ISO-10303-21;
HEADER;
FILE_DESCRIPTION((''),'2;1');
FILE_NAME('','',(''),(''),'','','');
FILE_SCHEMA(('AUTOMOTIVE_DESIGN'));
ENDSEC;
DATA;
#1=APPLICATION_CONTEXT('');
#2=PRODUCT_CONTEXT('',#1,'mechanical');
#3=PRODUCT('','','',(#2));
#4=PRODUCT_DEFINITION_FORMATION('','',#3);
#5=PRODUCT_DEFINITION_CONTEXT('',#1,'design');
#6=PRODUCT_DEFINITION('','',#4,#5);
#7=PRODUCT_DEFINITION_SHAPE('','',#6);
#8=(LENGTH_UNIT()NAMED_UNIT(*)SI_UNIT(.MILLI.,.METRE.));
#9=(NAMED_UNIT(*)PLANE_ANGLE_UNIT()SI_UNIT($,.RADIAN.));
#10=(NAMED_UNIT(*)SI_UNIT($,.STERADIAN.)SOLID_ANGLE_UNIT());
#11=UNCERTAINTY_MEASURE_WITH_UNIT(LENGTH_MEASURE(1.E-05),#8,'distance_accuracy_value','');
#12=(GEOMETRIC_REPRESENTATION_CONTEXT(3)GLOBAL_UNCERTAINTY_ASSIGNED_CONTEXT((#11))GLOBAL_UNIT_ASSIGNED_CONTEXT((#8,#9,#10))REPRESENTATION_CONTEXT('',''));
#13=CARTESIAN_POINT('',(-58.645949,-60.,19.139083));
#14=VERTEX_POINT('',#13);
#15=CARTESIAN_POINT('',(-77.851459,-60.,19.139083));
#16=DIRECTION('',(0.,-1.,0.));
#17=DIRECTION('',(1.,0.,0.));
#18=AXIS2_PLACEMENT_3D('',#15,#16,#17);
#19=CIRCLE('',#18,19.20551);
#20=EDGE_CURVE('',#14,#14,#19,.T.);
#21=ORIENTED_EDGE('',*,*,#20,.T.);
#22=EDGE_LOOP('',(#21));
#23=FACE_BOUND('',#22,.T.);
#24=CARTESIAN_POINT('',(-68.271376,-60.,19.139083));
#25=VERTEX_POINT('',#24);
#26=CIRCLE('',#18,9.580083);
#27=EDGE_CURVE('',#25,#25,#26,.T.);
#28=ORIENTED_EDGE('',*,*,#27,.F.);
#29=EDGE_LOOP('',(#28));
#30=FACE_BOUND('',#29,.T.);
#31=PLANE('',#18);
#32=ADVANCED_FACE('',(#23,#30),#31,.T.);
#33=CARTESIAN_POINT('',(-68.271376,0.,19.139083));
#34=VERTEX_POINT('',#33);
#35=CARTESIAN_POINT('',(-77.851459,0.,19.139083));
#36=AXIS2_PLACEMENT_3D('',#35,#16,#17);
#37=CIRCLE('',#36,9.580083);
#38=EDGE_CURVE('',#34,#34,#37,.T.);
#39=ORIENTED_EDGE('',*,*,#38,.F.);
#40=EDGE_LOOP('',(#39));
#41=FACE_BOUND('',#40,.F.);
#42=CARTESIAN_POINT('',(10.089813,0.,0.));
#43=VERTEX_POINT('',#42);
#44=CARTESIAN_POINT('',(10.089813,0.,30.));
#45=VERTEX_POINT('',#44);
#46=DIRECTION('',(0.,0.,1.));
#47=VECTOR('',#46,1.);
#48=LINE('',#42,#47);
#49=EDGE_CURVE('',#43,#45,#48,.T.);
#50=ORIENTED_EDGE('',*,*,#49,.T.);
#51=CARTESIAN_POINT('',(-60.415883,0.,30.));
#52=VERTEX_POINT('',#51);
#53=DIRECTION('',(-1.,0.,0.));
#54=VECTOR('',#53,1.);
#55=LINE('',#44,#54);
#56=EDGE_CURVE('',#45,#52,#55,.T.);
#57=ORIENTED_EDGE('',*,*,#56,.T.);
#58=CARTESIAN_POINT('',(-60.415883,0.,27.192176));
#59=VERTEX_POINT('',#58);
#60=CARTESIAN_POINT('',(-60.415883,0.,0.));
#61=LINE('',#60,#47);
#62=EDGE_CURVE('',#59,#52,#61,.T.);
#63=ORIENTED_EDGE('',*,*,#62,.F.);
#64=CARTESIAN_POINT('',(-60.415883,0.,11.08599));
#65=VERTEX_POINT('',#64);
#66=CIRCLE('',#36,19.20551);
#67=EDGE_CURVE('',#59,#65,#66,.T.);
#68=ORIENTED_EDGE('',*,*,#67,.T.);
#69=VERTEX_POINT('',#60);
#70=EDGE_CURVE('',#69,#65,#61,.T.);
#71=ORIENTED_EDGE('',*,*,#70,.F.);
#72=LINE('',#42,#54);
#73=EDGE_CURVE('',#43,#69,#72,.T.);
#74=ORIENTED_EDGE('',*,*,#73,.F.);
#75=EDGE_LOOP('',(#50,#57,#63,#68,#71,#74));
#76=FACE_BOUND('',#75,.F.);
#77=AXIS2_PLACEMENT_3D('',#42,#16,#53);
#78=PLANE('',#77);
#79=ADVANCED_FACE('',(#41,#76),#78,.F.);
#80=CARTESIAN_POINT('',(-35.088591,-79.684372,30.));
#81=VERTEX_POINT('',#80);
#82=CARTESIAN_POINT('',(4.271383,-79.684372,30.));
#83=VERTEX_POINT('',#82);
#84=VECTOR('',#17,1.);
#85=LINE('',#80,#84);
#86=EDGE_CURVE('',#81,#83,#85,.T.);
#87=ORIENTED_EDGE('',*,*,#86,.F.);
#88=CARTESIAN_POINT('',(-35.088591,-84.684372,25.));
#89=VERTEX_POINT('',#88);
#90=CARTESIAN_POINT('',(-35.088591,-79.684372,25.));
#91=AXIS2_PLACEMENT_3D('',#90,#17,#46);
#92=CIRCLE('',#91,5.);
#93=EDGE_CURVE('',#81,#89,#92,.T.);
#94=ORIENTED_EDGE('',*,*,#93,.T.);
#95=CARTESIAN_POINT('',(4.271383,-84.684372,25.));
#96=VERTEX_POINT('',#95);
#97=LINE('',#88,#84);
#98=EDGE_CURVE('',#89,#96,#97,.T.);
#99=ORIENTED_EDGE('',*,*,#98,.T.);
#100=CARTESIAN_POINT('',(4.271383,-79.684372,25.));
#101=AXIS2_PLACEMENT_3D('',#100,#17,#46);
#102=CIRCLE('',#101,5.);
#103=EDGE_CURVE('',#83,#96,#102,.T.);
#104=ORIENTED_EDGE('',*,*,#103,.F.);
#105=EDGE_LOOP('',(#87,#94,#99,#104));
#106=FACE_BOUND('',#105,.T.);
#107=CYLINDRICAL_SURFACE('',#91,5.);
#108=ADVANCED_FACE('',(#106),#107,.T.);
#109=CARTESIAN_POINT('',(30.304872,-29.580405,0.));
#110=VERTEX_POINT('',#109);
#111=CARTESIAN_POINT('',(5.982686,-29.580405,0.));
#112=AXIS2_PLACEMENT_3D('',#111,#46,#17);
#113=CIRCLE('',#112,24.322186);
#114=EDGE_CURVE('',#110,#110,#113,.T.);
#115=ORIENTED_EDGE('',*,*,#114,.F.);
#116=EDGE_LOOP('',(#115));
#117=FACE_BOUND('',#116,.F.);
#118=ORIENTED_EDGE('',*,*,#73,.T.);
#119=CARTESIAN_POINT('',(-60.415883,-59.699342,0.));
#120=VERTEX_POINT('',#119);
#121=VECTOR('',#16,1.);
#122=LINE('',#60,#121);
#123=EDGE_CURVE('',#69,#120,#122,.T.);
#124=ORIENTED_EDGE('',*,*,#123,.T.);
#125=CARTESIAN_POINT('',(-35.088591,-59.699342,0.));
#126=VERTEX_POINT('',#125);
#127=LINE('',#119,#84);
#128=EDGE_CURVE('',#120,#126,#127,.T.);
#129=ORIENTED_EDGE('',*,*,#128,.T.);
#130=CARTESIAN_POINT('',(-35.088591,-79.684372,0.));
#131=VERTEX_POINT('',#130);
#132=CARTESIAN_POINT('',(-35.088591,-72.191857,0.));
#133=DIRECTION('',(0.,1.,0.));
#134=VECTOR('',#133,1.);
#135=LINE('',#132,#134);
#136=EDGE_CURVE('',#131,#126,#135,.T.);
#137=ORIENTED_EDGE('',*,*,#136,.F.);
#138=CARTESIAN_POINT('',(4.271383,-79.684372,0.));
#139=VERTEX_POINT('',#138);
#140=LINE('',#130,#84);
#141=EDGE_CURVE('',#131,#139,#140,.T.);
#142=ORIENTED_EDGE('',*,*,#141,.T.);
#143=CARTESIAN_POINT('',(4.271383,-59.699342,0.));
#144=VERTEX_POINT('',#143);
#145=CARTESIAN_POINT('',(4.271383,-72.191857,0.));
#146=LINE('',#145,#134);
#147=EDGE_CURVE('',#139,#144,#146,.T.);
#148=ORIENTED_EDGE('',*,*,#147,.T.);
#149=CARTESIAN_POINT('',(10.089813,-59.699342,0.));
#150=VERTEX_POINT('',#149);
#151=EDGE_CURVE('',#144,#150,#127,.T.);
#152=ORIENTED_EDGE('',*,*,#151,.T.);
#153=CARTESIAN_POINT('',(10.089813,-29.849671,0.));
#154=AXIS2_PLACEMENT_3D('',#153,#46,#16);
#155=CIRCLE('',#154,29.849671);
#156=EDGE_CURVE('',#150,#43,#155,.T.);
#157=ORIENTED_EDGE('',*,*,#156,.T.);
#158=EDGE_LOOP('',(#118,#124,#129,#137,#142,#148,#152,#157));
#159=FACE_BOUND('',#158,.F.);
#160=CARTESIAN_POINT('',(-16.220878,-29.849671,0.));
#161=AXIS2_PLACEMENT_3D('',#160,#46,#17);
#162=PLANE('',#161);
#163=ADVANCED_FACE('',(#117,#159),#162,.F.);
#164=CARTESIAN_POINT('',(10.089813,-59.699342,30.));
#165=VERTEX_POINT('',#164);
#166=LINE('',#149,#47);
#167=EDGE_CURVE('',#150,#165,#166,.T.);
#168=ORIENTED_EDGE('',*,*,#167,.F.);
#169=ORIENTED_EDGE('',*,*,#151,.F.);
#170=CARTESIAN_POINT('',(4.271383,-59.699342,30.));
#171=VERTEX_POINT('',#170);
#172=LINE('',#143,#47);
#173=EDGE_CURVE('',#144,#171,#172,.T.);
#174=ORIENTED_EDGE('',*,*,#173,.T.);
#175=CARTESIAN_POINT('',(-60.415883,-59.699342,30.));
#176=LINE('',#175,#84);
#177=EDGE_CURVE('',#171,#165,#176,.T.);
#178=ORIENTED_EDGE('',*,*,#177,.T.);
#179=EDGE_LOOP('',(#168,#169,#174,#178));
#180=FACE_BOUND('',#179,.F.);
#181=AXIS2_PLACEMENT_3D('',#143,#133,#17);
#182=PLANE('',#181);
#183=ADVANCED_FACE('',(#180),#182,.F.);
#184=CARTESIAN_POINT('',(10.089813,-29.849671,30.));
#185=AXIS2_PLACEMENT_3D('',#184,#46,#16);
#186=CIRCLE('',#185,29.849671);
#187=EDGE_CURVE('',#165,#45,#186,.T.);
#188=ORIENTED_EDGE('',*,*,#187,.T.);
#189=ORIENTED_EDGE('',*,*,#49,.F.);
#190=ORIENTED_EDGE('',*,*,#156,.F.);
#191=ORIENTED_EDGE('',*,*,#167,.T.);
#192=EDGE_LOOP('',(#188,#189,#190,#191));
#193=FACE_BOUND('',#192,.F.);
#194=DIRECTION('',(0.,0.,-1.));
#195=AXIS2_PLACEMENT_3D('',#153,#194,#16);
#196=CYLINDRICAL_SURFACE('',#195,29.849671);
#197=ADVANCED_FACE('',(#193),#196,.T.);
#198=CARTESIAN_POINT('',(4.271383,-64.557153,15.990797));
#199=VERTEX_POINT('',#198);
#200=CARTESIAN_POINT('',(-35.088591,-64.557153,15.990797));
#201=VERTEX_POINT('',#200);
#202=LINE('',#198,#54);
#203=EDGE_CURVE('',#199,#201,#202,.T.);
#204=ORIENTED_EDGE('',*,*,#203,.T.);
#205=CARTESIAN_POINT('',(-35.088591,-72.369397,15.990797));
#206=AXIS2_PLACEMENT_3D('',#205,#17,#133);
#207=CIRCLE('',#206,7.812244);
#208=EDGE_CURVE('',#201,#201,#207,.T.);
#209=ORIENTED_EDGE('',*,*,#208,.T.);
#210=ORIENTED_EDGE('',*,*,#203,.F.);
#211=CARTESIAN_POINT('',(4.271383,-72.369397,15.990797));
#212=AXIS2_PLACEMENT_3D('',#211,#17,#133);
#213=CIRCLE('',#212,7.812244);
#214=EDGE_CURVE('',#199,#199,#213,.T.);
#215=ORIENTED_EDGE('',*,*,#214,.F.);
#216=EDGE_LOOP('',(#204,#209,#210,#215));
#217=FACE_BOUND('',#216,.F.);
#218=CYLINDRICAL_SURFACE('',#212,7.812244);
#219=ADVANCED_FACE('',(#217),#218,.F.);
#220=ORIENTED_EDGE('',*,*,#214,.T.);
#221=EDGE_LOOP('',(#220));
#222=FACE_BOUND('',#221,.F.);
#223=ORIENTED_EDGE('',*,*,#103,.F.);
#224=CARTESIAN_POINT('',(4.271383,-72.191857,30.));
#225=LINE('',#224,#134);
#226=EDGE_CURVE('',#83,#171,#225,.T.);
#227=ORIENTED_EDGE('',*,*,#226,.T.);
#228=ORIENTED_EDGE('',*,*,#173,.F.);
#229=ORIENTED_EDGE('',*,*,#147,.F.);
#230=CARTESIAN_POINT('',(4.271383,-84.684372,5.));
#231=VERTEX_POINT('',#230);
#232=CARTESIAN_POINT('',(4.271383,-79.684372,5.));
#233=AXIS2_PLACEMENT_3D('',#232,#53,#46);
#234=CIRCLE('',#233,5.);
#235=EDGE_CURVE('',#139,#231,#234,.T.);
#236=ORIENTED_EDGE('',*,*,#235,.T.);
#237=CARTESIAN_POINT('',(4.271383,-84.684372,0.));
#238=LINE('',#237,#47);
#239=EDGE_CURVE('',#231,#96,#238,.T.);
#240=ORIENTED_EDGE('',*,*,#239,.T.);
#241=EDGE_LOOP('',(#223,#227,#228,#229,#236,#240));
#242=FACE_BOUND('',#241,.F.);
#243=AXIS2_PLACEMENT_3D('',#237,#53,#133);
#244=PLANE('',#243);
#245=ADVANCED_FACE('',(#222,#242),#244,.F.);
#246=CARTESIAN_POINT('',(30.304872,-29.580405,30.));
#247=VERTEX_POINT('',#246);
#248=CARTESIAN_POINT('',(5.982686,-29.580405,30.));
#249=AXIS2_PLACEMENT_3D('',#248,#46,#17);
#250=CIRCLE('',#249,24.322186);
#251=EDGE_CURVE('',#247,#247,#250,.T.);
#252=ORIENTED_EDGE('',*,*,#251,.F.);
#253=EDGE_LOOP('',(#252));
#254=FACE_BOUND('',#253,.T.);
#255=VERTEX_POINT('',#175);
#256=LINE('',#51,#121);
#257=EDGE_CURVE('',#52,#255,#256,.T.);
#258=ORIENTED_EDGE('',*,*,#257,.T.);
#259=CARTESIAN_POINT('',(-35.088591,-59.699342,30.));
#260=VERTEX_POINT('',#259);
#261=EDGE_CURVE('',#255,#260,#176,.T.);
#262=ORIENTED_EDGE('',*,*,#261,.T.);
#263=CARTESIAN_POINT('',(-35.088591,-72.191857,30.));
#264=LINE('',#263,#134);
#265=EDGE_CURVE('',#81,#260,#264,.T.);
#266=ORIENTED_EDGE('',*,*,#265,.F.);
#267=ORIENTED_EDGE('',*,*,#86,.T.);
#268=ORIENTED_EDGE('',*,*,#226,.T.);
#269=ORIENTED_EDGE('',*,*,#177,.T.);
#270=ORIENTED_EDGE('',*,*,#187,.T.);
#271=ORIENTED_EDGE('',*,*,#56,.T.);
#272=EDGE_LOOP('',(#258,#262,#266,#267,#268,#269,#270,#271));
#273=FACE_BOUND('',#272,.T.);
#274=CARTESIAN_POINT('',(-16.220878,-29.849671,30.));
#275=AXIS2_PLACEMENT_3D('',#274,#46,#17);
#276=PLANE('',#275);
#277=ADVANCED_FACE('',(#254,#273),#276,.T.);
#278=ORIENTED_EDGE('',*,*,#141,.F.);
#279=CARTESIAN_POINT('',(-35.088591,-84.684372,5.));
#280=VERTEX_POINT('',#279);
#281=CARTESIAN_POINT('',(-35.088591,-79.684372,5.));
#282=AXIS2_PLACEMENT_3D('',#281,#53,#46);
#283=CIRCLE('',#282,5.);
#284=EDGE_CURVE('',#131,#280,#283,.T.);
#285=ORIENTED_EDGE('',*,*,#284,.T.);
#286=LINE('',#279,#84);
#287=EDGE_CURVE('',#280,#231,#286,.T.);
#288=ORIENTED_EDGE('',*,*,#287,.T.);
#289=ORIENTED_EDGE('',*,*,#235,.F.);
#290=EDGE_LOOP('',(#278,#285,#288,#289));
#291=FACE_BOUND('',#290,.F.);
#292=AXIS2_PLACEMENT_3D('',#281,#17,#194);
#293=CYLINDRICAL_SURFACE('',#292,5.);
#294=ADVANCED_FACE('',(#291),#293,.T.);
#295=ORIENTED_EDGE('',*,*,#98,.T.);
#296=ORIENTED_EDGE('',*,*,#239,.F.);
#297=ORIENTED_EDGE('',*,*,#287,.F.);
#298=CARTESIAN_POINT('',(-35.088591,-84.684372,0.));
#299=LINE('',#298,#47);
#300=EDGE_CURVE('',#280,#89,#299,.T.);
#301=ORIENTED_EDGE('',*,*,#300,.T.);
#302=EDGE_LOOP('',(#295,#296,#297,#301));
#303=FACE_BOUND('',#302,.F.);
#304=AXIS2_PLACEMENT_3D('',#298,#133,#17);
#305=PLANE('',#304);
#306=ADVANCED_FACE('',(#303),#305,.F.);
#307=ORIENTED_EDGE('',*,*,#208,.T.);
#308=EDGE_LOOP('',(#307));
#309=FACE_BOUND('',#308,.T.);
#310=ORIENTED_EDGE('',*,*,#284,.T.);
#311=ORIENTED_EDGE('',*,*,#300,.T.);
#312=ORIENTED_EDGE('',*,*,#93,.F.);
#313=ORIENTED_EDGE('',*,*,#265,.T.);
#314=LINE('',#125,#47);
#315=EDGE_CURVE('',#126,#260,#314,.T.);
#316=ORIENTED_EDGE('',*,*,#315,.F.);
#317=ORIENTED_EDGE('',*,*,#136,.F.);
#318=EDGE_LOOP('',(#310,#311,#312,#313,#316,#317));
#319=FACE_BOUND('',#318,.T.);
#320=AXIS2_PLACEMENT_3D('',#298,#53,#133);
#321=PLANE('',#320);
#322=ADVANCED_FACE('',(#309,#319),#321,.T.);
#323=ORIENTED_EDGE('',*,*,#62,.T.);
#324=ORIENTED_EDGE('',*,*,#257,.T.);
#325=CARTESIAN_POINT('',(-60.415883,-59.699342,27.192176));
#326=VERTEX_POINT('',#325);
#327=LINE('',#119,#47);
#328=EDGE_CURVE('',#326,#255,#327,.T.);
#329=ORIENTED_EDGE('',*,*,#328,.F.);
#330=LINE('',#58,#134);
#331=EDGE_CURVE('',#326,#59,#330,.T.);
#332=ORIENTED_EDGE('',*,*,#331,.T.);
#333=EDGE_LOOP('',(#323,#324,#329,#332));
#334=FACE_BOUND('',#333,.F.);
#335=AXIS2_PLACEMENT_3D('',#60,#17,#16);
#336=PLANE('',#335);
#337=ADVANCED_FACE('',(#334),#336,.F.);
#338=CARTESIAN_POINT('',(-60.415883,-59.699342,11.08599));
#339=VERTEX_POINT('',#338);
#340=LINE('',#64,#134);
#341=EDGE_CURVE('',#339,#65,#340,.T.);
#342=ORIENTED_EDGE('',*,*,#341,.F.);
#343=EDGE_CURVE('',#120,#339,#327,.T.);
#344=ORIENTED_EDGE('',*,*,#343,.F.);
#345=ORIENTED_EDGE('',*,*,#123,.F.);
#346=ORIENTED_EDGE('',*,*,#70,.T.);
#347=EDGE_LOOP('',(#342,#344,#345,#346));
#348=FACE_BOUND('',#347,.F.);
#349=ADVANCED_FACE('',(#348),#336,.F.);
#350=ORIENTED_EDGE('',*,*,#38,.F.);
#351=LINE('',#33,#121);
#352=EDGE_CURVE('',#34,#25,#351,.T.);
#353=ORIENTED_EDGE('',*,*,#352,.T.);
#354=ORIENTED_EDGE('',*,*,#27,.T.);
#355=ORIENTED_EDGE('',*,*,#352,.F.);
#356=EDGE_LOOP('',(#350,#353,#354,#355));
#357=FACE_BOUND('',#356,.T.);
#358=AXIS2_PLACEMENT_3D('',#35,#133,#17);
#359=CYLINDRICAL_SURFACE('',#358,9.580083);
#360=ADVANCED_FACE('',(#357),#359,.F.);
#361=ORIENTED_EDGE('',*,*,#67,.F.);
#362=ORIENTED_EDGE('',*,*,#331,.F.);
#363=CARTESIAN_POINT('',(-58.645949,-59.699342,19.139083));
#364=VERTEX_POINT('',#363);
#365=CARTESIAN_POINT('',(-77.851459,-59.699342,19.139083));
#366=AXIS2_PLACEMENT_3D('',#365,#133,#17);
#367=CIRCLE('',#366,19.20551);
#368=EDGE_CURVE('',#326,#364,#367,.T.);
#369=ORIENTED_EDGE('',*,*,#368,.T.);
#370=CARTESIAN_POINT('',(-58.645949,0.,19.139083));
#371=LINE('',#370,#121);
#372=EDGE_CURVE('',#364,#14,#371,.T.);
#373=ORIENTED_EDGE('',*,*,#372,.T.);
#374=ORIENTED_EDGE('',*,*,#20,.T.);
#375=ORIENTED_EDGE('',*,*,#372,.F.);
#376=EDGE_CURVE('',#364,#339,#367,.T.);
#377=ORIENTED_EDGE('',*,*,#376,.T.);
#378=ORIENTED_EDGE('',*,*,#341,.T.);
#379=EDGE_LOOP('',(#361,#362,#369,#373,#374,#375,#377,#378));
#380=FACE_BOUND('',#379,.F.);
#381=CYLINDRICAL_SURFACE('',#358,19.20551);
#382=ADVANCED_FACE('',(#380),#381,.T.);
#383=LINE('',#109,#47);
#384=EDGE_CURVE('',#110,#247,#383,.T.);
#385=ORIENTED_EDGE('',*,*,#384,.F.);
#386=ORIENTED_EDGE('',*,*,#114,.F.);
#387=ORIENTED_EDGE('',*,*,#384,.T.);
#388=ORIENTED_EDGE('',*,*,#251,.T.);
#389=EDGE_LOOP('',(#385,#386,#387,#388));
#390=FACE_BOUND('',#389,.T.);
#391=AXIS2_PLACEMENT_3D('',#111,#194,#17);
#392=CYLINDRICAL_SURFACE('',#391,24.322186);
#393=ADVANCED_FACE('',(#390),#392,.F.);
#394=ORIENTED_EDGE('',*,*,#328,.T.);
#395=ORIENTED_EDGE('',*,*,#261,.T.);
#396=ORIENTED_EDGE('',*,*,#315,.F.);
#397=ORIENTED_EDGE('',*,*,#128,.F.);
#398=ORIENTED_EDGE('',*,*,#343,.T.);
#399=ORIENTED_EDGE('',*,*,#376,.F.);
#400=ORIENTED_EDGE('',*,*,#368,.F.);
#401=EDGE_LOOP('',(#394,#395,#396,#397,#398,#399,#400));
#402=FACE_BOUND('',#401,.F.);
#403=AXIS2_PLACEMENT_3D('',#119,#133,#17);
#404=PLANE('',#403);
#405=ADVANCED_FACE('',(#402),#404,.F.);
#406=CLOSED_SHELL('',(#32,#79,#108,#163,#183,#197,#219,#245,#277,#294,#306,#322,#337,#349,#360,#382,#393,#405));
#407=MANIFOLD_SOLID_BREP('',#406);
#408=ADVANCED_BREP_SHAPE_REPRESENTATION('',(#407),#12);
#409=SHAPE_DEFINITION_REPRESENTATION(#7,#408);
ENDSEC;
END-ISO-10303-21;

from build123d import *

# Parameters (mm, degrees)
F0_R     = 19.20551
F0_R_2   = 9.580083
F1_DEPTH = 60
F2_R     = 24.322186
F2_W     = 39.359974
F2_H     = 24.98503
F3_DEPTH = 30
F4_R     = 5
F5_R     = 7.812244
F6_DEPTH = 45


with BuildPart() as f1:
    # F0 (on Front) → F1 (new body)
    with BuildSketch(Plane.XZ):
        with Locations((-77.851459, 19.139083)):
            Circle(F0_R)
        with Locations((-77.851459, 19.139083)):
            Circle(F0_R_2, mode=Mode.SUBTRACT)
    extrude(amount=F1_DEPTH)

    # F2 (on Top) → F3 (join)
    with BuildSketch(Plane.XY):
        with BuildLine():
            Line((10.089813, 0), (-60.415883, 0))
            Line((-60.415883, 0), (-60.415883, -59.699342))
            Line((-60.415883, -59.699342), (-35.088591, -59.699342))
            Line((-35.088591, -59.699342), (4.271383, -59.699342))
            Line((4.271383, -59.699342), (10.089813, -59.699342))
            ThreePointArc((10.089813, -59.699342), (39.939484, -29.849671), (10.089813, 0))
        make_face()
        with Locations((5.982686, -29.580405)):
            Circle(F2_R, mode=Mode.SUBTRACT)
        with Locations((-15.408604, -72.191857)):
            Rectangle(F2_W, F2_H)
    extrude(amount=F3_DEPTH)

    # F4
    f4_edges = [f1.edges().sort_by_distance(p)[0] for p in [
        (-15.408604, -84.684372, 30),
        (-15.408604, -84.684372, 0),
    ]]
    fillet(f4_edges, radius=F4_R)

    # F5 (on face) → F6 (cut)
    with BuildSketch(Plane.YZ.offset(4.271383)):
        with Locations((-72.369397, 15.990797)):
            Circle(F5_R)
    extrude(amount=-F6_DEPTH, mode=Mode.SUBTRACT)


solid = f1.part
